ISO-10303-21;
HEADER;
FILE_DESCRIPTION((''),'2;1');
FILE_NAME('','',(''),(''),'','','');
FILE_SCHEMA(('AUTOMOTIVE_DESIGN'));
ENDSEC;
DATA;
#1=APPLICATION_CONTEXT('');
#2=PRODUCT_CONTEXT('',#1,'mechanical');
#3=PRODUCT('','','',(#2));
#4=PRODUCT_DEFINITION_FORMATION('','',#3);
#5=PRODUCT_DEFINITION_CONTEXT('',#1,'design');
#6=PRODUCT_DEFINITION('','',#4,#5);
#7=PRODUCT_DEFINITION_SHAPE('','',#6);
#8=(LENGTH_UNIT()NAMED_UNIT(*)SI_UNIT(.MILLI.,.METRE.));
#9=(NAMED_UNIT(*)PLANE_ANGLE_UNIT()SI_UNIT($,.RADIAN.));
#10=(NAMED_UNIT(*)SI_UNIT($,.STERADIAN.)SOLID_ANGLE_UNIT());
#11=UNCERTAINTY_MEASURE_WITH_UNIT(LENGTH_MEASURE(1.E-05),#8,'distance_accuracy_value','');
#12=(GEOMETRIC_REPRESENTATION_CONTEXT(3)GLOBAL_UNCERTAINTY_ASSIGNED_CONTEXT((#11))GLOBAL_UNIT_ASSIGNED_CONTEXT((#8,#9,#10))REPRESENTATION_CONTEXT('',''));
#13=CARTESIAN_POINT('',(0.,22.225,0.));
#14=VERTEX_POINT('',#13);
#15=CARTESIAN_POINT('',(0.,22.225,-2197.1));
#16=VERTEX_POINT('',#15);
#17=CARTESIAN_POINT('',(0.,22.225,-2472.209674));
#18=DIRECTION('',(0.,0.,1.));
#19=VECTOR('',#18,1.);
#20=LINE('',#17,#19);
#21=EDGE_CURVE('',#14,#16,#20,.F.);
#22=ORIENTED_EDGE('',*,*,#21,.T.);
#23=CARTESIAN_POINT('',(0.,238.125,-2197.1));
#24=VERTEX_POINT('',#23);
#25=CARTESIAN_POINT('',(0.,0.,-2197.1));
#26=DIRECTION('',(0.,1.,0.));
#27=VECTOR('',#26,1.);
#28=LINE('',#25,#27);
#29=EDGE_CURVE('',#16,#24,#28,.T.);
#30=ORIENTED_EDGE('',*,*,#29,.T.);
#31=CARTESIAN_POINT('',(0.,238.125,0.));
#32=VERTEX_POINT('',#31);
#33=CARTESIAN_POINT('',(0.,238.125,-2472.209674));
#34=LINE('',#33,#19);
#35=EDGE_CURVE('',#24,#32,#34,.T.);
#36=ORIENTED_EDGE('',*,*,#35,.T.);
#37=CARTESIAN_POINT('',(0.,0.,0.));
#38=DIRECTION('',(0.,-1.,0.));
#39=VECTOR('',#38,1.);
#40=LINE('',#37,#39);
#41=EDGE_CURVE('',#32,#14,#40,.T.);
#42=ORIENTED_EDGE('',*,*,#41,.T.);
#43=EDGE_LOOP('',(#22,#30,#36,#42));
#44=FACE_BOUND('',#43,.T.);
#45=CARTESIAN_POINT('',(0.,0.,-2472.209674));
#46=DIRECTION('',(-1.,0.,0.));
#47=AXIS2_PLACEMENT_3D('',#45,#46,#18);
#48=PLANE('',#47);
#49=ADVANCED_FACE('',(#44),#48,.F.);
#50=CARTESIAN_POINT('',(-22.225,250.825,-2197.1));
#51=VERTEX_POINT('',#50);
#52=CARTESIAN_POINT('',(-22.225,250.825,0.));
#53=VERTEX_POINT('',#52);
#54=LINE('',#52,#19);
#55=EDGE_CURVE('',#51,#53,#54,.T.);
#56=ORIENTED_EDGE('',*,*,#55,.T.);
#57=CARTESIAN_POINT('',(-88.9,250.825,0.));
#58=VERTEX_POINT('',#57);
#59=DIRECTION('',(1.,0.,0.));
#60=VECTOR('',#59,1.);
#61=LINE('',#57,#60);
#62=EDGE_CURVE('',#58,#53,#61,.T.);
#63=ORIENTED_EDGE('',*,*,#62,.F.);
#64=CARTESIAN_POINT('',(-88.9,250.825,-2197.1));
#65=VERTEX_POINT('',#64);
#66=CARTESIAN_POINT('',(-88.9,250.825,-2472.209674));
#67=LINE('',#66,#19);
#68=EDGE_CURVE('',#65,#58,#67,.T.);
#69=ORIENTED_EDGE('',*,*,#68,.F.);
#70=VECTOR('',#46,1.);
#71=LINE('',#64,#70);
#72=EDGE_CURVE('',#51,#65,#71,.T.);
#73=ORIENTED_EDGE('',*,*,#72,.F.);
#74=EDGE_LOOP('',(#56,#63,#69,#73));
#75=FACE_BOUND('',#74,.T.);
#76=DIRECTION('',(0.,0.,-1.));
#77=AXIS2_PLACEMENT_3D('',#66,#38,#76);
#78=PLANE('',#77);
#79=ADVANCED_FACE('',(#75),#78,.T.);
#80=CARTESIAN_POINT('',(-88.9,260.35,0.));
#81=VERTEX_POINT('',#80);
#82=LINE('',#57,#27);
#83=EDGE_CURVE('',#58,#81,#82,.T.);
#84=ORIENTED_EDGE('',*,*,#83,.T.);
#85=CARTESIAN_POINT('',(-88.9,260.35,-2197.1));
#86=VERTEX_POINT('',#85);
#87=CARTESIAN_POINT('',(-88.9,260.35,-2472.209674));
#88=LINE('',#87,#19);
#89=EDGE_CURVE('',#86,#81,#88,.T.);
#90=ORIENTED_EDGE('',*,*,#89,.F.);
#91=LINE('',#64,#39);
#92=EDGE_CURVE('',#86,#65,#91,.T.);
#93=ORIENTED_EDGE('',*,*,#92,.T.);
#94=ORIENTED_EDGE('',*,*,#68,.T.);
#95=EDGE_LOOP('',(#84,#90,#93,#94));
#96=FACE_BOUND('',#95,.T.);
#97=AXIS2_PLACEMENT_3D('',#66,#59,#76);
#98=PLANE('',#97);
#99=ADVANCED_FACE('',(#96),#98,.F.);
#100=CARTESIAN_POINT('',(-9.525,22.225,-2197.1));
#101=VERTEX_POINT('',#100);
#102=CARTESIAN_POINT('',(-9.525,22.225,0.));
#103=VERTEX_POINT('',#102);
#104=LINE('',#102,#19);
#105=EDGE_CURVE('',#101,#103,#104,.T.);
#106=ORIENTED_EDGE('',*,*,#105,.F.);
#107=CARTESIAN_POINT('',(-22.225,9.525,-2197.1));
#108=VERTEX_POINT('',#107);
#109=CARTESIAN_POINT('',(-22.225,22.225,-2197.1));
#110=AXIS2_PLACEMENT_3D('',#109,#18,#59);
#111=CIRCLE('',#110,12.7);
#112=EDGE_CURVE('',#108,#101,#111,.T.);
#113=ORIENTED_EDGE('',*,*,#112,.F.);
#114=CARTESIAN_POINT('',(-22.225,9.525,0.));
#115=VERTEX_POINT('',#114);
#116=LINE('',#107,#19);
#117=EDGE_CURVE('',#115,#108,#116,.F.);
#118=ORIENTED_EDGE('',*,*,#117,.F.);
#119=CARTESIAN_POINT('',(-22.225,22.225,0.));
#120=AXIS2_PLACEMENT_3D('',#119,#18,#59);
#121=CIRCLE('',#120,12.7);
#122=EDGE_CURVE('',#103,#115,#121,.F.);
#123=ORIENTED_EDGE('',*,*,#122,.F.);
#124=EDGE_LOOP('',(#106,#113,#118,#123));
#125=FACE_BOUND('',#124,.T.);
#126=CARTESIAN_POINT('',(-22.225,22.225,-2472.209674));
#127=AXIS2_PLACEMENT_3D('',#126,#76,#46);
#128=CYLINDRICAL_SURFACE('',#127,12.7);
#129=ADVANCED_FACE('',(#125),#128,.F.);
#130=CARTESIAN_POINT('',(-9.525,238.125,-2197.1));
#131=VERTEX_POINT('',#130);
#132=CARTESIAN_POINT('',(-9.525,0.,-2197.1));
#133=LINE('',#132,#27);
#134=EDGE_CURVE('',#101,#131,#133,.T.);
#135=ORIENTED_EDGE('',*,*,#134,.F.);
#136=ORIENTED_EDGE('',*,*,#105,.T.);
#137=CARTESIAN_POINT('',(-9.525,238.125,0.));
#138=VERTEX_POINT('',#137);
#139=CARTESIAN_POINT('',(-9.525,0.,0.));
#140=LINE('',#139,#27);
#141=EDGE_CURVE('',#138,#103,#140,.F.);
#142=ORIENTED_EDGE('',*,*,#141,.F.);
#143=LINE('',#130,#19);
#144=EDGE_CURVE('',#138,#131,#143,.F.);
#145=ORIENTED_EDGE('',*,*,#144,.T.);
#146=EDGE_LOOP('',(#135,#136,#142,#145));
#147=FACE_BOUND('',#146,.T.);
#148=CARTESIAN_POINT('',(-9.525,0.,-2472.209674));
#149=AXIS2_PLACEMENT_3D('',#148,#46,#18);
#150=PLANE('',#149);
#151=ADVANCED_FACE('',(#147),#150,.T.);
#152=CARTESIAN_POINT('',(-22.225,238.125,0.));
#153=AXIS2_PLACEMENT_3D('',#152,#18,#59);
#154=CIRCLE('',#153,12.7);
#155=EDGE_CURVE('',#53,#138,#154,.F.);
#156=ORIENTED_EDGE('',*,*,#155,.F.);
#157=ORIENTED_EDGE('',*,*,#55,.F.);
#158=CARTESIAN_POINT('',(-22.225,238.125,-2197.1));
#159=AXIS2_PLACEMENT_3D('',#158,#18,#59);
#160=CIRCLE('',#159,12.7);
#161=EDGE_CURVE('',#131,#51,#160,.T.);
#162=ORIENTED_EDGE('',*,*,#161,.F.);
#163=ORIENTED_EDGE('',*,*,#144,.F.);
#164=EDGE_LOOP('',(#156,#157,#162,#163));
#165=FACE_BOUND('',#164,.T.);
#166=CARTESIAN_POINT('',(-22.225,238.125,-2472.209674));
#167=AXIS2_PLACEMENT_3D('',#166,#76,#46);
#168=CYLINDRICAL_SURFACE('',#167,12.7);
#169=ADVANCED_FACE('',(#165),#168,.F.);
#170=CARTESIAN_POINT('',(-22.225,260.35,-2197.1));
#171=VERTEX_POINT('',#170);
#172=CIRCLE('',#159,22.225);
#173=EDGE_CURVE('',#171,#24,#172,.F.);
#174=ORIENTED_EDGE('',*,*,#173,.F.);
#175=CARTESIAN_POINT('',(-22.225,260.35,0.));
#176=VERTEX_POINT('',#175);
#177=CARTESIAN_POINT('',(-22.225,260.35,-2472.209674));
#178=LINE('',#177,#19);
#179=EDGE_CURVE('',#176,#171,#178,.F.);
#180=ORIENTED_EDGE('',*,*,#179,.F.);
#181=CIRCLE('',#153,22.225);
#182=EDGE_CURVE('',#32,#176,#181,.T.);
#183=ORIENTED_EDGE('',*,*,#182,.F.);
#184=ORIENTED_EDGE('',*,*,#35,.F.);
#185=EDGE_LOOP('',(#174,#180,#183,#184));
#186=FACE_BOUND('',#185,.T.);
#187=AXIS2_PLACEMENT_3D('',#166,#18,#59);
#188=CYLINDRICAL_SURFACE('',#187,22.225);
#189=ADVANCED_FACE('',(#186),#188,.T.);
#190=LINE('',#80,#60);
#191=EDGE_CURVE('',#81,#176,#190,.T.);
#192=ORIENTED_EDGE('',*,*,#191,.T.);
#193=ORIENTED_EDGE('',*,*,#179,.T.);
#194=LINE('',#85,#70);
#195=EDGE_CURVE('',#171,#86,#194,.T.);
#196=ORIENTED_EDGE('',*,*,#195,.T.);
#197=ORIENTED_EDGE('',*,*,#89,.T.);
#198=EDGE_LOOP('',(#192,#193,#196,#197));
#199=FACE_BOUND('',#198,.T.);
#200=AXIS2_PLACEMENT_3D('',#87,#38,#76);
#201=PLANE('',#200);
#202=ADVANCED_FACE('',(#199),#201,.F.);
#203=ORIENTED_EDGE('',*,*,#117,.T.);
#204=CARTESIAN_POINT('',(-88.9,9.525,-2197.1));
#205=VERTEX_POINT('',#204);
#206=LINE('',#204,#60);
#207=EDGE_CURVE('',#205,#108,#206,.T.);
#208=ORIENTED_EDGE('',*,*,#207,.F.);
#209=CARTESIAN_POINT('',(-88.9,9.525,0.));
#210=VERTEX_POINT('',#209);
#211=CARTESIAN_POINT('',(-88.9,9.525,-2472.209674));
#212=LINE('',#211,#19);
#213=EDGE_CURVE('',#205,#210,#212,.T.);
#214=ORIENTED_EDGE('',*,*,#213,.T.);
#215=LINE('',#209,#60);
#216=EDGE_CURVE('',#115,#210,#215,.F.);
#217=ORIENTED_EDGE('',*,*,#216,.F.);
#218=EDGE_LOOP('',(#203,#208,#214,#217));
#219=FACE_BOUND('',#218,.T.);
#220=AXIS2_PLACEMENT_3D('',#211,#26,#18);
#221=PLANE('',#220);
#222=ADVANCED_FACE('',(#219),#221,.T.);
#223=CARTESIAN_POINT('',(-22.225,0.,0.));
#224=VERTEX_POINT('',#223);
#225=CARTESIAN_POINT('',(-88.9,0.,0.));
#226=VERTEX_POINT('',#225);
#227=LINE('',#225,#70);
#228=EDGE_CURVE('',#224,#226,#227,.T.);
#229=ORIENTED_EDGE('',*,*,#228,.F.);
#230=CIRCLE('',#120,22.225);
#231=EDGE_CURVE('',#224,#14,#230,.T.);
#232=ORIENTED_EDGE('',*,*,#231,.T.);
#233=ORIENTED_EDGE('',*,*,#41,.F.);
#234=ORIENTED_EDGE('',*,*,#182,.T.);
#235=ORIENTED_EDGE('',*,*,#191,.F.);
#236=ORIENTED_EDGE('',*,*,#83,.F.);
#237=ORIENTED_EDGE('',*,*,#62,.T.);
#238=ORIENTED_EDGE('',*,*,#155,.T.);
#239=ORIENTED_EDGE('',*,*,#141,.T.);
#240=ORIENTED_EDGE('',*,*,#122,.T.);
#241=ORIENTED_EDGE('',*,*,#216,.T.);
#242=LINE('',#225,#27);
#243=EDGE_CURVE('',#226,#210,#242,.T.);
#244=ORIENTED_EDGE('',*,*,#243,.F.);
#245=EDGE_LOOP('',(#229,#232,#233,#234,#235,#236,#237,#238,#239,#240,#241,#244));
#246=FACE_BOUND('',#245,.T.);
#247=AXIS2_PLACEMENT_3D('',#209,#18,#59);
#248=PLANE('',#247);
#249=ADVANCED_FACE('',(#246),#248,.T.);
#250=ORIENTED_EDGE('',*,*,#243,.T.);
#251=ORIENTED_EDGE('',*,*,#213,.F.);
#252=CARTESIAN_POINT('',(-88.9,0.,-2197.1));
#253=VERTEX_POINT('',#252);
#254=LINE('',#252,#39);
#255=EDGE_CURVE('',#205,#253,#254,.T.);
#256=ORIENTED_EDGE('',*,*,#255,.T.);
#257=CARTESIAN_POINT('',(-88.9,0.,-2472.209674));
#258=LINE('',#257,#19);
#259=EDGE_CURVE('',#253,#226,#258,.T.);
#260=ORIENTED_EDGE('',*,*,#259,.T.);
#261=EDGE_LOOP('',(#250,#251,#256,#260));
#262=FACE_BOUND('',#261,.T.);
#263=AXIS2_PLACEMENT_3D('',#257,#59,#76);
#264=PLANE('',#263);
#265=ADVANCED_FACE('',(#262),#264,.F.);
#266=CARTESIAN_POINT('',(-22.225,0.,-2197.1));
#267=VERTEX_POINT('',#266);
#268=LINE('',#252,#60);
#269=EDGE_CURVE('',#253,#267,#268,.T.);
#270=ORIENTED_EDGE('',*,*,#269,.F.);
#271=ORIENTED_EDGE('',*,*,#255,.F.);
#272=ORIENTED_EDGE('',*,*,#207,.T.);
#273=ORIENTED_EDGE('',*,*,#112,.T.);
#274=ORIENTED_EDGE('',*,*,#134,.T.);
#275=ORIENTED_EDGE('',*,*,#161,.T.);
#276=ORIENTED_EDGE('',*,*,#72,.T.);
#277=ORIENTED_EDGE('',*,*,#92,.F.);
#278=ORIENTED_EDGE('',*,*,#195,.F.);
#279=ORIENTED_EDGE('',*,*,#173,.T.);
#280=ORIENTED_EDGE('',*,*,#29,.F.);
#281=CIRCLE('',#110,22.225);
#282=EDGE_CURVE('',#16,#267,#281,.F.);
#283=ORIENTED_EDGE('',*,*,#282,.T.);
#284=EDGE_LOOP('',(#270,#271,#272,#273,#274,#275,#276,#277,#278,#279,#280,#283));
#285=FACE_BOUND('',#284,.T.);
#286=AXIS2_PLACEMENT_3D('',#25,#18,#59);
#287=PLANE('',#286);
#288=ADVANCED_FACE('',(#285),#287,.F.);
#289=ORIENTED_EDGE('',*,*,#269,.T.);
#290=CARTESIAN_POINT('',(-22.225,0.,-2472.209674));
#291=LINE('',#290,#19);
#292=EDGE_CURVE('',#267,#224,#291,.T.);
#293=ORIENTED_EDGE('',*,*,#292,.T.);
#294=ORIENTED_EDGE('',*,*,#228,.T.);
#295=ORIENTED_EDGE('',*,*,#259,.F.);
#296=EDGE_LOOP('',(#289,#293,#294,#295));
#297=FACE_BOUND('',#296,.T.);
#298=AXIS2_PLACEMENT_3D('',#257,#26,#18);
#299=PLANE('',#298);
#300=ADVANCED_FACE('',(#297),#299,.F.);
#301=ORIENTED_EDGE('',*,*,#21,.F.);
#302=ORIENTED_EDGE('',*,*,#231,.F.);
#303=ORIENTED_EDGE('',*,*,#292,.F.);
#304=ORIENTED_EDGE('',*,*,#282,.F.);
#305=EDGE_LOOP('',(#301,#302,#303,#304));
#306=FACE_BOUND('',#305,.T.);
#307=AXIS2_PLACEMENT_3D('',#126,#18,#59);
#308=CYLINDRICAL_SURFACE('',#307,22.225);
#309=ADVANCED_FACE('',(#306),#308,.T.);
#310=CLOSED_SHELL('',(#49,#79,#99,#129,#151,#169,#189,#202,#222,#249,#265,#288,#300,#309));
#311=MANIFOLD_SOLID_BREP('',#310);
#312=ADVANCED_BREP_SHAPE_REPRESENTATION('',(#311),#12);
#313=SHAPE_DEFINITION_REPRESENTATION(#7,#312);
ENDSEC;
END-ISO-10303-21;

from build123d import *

# Parameters (mm, degrees)
BASE_EXTRUDE_THIN_DEPTH = 2197.1
INSIDE_BEND_RADIUS_R    = 12.7
OUTSIDE_BEND_RADIUS_R   = 22.225


with BuildPart() as part:
    # Sketch1 → Base-Extrude-Thin (new body)
    with BuildSketch(Plane.XY):
        Polygon((-88.9, 0), (0, 0), (0, 260.35), (-88.9, 260.35), (-88.9, 250.825), (-9.525, 250.825), (-9.525, 9.525), (-88.9, 9.525), align=None)
    extrude(amount=-BASE_EXTRUDE_THIN_DEPTH)

    # Inside Bend Radius
    inside_bend_radius_edges = [part.edges().sort_by_distance(p)[0] for p in [
        (-9.525, 250.825, -1098.55),
        (-9.525, 9.525, -1098.55),
    ]]
    fillet(inside_bend_radius_edges, radius=INSIDE_BEND_RADIUS_R)

    # Outside Bend Radius
    outside_bend_radius_edges = [part.edges().sort_by_distance(p)[0] for p in [
        (0, 0, -1098.55),
        (0, 260.35, -1098.55),
    ]]
    fillet(outside_bend_radius_edges, radius=OUTSIDE_BEND_RADIUS_R)


solid = part.part
